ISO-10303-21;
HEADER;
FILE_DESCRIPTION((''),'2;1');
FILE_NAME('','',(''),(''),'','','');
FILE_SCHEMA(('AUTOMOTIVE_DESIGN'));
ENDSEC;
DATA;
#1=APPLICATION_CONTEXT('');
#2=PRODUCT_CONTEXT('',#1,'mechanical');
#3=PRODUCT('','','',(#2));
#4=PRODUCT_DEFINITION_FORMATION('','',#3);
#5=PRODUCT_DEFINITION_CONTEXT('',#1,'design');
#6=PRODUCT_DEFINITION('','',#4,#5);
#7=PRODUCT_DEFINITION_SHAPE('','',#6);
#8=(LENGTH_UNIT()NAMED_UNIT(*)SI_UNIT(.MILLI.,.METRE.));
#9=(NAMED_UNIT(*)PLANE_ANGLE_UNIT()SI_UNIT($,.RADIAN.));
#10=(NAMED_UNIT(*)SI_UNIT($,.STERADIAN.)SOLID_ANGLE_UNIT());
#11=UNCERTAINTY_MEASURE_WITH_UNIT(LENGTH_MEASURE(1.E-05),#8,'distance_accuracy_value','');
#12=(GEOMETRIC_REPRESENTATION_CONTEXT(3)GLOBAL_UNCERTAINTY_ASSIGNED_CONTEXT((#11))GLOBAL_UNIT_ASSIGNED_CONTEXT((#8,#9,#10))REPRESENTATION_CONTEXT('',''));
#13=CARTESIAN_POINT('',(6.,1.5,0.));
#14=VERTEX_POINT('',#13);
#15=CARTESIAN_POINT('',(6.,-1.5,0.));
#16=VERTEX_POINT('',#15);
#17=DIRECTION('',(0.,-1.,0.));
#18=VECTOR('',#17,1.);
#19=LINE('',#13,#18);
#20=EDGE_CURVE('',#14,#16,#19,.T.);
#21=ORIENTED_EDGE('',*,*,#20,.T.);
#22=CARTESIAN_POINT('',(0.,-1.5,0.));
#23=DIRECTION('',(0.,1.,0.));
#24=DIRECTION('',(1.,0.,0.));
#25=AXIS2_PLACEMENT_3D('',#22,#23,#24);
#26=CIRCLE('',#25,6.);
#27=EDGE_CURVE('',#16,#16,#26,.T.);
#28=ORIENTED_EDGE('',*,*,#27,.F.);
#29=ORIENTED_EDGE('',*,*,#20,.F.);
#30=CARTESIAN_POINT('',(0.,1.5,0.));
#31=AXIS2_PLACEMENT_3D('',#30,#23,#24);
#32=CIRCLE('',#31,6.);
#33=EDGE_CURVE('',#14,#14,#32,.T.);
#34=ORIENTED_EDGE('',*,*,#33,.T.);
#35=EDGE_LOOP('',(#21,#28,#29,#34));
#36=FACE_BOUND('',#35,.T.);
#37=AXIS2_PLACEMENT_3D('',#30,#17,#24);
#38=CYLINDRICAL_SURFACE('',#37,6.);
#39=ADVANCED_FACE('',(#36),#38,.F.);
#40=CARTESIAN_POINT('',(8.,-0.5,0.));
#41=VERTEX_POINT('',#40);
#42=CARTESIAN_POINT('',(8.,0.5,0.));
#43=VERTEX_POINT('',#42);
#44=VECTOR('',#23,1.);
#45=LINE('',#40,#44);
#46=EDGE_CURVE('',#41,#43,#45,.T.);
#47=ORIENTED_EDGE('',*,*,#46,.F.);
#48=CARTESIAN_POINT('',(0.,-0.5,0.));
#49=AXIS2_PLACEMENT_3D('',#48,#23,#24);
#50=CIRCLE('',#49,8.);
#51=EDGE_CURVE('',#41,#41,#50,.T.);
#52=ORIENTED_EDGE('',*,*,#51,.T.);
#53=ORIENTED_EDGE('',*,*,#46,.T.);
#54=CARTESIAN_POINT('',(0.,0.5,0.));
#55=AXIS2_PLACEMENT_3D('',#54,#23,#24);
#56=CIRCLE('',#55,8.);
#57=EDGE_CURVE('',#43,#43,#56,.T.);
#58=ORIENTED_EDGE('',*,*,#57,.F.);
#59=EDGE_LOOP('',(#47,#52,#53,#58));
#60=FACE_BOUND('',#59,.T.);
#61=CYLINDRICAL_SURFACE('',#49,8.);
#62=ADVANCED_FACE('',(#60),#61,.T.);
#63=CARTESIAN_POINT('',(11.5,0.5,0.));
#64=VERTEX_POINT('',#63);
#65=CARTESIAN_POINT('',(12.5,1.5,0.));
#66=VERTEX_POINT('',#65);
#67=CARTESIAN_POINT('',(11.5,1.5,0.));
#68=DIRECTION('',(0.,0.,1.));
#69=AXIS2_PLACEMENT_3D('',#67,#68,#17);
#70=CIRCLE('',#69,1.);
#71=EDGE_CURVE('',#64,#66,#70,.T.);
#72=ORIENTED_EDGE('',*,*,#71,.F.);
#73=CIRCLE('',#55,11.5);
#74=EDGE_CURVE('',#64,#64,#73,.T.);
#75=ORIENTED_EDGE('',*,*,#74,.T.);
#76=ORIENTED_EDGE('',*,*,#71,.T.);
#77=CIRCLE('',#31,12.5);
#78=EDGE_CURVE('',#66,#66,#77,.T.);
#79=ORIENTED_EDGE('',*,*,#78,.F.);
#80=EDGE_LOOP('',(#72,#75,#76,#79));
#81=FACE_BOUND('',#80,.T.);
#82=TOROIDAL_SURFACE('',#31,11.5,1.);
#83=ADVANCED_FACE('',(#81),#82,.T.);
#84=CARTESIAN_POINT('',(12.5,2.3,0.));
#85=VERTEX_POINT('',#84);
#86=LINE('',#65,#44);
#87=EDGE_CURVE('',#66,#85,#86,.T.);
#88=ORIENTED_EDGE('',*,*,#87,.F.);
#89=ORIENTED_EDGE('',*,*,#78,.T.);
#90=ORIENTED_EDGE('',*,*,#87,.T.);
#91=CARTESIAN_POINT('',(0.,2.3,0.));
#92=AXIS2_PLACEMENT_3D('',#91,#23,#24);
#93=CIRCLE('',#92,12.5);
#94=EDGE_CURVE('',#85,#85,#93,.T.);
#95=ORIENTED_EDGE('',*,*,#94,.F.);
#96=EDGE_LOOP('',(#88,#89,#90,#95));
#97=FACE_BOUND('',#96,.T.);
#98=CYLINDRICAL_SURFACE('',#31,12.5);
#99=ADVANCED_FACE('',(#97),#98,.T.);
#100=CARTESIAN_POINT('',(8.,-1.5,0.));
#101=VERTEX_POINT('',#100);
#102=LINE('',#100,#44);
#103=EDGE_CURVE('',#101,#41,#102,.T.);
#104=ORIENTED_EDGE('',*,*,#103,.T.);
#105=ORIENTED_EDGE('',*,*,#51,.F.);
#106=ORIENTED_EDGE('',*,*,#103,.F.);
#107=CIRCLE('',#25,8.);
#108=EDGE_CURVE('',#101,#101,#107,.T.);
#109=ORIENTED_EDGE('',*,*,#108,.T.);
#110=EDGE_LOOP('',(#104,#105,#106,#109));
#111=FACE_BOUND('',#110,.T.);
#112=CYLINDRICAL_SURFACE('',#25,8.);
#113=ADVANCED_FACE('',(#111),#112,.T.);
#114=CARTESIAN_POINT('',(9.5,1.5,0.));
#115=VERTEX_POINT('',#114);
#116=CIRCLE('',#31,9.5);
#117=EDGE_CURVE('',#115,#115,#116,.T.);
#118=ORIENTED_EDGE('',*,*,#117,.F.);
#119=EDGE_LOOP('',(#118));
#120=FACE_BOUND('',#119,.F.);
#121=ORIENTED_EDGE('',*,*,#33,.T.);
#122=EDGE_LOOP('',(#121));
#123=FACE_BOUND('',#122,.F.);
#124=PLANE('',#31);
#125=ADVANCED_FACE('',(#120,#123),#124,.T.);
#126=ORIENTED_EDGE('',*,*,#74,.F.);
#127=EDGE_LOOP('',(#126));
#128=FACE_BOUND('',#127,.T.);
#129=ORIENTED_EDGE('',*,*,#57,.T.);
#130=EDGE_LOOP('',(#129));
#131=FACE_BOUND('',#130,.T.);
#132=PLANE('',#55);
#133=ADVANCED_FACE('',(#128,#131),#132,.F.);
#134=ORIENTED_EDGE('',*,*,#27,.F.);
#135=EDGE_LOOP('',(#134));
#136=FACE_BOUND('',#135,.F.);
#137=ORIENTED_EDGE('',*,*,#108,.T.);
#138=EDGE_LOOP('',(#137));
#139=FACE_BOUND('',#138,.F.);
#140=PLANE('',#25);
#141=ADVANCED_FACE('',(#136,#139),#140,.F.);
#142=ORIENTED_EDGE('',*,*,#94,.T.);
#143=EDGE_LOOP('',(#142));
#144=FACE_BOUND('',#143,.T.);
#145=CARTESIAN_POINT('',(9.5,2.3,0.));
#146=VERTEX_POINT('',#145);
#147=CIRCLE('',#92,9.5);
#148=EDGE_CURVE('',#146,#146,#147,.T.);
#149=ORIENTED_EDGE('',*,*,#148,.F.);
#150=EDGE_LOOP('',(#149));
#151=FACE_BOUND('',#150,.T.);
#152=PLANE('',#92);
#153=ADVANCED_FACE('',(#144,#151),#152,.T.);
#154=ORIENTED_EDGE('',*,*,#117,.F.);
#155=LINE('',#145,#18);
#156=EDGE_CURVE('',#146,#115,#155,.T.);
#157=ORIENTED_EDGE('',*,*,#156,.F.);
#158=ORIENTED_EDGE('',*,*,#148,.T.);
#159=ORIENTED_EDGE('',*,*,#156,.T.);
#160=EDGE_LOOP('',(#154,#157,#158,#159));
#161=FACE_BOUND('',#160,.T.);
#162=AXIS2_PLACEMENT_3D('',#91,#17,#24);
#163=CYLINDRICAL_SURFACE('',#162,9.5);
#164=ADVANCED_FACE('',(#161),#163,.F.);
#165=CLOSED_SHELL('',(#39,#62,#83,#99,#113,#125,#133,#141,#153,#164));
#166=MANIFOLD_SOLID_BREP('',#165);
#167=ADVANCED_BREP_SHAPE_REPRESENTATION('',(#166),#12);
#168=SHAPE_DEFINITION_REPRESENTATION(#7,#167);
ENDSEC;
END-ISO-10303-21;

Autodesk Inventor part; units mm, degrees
ref_plane "YZ Plane" through (0, 0, 0) normal (1, 0, 0) x (0, 1, 0)
ref_plane "XZ Plane" through (0, 0, 0) normal (0, 1, 0) x (-1, 0, 0)
ref_plane "XY Plane" through (0, 0, 0) normal (0, 0, 1) x (1, 0, 0)
sketch "Sketch1" plane through (0, 0, 0) normal (0, 0, 1) x (1, 0, 0)
  line L0 (6, 1.5) -> (6, -1.5)
  line L1 (8, 0.5) -> (11.5, 0.5)
  line L2 (12.5, 1.5) -> (12.5, 2.3)
  line L3 (12.5, 1.5) -> (11.5, 1.5) construction
  line L4 (11.5, 1.5) -> (11.5, 0.5) construction
  arc A0 (11.5, 0.5) -> (12.5, 1.5) centre (11.5, 1.5) ccw
  line L5 (6, 1.5) -> (9.5, 1.5)
  line L6 (12.5, 2.3) -> (9.5, 2.3)
  line L7 (9.5, 2.3) -> (9.5, 1.5)
  line L8 (8, -0.5) -> (8, 0.5)
  line L9 (8, -1.5) -> (8, -0.5)
  line L10 (0, 0) -> (0, 11.9081) construction
  line L11 (8, -1.5) -> (6, -1.5)
  dimension "d0" = 3
  dimension "d1" = 1.5
  dimension "d2" = 0.8
  dimension "d3" = 1
  dimension "d4" = 1
  dimension "d5" = 3
  dimension "d6" = 6
  dimension "d7" = 0.8
  dimension "d8" = 3.5
revolve "Revolution1" add sketch "Sketch1" angle 360 about axis through (0, 0, 0) along (0, 1, 0)
equation "\"d1\" = 0.5 * d0"
equation "\"d4\" = d3"
properties part number "tarcza sprzęgła 2"
